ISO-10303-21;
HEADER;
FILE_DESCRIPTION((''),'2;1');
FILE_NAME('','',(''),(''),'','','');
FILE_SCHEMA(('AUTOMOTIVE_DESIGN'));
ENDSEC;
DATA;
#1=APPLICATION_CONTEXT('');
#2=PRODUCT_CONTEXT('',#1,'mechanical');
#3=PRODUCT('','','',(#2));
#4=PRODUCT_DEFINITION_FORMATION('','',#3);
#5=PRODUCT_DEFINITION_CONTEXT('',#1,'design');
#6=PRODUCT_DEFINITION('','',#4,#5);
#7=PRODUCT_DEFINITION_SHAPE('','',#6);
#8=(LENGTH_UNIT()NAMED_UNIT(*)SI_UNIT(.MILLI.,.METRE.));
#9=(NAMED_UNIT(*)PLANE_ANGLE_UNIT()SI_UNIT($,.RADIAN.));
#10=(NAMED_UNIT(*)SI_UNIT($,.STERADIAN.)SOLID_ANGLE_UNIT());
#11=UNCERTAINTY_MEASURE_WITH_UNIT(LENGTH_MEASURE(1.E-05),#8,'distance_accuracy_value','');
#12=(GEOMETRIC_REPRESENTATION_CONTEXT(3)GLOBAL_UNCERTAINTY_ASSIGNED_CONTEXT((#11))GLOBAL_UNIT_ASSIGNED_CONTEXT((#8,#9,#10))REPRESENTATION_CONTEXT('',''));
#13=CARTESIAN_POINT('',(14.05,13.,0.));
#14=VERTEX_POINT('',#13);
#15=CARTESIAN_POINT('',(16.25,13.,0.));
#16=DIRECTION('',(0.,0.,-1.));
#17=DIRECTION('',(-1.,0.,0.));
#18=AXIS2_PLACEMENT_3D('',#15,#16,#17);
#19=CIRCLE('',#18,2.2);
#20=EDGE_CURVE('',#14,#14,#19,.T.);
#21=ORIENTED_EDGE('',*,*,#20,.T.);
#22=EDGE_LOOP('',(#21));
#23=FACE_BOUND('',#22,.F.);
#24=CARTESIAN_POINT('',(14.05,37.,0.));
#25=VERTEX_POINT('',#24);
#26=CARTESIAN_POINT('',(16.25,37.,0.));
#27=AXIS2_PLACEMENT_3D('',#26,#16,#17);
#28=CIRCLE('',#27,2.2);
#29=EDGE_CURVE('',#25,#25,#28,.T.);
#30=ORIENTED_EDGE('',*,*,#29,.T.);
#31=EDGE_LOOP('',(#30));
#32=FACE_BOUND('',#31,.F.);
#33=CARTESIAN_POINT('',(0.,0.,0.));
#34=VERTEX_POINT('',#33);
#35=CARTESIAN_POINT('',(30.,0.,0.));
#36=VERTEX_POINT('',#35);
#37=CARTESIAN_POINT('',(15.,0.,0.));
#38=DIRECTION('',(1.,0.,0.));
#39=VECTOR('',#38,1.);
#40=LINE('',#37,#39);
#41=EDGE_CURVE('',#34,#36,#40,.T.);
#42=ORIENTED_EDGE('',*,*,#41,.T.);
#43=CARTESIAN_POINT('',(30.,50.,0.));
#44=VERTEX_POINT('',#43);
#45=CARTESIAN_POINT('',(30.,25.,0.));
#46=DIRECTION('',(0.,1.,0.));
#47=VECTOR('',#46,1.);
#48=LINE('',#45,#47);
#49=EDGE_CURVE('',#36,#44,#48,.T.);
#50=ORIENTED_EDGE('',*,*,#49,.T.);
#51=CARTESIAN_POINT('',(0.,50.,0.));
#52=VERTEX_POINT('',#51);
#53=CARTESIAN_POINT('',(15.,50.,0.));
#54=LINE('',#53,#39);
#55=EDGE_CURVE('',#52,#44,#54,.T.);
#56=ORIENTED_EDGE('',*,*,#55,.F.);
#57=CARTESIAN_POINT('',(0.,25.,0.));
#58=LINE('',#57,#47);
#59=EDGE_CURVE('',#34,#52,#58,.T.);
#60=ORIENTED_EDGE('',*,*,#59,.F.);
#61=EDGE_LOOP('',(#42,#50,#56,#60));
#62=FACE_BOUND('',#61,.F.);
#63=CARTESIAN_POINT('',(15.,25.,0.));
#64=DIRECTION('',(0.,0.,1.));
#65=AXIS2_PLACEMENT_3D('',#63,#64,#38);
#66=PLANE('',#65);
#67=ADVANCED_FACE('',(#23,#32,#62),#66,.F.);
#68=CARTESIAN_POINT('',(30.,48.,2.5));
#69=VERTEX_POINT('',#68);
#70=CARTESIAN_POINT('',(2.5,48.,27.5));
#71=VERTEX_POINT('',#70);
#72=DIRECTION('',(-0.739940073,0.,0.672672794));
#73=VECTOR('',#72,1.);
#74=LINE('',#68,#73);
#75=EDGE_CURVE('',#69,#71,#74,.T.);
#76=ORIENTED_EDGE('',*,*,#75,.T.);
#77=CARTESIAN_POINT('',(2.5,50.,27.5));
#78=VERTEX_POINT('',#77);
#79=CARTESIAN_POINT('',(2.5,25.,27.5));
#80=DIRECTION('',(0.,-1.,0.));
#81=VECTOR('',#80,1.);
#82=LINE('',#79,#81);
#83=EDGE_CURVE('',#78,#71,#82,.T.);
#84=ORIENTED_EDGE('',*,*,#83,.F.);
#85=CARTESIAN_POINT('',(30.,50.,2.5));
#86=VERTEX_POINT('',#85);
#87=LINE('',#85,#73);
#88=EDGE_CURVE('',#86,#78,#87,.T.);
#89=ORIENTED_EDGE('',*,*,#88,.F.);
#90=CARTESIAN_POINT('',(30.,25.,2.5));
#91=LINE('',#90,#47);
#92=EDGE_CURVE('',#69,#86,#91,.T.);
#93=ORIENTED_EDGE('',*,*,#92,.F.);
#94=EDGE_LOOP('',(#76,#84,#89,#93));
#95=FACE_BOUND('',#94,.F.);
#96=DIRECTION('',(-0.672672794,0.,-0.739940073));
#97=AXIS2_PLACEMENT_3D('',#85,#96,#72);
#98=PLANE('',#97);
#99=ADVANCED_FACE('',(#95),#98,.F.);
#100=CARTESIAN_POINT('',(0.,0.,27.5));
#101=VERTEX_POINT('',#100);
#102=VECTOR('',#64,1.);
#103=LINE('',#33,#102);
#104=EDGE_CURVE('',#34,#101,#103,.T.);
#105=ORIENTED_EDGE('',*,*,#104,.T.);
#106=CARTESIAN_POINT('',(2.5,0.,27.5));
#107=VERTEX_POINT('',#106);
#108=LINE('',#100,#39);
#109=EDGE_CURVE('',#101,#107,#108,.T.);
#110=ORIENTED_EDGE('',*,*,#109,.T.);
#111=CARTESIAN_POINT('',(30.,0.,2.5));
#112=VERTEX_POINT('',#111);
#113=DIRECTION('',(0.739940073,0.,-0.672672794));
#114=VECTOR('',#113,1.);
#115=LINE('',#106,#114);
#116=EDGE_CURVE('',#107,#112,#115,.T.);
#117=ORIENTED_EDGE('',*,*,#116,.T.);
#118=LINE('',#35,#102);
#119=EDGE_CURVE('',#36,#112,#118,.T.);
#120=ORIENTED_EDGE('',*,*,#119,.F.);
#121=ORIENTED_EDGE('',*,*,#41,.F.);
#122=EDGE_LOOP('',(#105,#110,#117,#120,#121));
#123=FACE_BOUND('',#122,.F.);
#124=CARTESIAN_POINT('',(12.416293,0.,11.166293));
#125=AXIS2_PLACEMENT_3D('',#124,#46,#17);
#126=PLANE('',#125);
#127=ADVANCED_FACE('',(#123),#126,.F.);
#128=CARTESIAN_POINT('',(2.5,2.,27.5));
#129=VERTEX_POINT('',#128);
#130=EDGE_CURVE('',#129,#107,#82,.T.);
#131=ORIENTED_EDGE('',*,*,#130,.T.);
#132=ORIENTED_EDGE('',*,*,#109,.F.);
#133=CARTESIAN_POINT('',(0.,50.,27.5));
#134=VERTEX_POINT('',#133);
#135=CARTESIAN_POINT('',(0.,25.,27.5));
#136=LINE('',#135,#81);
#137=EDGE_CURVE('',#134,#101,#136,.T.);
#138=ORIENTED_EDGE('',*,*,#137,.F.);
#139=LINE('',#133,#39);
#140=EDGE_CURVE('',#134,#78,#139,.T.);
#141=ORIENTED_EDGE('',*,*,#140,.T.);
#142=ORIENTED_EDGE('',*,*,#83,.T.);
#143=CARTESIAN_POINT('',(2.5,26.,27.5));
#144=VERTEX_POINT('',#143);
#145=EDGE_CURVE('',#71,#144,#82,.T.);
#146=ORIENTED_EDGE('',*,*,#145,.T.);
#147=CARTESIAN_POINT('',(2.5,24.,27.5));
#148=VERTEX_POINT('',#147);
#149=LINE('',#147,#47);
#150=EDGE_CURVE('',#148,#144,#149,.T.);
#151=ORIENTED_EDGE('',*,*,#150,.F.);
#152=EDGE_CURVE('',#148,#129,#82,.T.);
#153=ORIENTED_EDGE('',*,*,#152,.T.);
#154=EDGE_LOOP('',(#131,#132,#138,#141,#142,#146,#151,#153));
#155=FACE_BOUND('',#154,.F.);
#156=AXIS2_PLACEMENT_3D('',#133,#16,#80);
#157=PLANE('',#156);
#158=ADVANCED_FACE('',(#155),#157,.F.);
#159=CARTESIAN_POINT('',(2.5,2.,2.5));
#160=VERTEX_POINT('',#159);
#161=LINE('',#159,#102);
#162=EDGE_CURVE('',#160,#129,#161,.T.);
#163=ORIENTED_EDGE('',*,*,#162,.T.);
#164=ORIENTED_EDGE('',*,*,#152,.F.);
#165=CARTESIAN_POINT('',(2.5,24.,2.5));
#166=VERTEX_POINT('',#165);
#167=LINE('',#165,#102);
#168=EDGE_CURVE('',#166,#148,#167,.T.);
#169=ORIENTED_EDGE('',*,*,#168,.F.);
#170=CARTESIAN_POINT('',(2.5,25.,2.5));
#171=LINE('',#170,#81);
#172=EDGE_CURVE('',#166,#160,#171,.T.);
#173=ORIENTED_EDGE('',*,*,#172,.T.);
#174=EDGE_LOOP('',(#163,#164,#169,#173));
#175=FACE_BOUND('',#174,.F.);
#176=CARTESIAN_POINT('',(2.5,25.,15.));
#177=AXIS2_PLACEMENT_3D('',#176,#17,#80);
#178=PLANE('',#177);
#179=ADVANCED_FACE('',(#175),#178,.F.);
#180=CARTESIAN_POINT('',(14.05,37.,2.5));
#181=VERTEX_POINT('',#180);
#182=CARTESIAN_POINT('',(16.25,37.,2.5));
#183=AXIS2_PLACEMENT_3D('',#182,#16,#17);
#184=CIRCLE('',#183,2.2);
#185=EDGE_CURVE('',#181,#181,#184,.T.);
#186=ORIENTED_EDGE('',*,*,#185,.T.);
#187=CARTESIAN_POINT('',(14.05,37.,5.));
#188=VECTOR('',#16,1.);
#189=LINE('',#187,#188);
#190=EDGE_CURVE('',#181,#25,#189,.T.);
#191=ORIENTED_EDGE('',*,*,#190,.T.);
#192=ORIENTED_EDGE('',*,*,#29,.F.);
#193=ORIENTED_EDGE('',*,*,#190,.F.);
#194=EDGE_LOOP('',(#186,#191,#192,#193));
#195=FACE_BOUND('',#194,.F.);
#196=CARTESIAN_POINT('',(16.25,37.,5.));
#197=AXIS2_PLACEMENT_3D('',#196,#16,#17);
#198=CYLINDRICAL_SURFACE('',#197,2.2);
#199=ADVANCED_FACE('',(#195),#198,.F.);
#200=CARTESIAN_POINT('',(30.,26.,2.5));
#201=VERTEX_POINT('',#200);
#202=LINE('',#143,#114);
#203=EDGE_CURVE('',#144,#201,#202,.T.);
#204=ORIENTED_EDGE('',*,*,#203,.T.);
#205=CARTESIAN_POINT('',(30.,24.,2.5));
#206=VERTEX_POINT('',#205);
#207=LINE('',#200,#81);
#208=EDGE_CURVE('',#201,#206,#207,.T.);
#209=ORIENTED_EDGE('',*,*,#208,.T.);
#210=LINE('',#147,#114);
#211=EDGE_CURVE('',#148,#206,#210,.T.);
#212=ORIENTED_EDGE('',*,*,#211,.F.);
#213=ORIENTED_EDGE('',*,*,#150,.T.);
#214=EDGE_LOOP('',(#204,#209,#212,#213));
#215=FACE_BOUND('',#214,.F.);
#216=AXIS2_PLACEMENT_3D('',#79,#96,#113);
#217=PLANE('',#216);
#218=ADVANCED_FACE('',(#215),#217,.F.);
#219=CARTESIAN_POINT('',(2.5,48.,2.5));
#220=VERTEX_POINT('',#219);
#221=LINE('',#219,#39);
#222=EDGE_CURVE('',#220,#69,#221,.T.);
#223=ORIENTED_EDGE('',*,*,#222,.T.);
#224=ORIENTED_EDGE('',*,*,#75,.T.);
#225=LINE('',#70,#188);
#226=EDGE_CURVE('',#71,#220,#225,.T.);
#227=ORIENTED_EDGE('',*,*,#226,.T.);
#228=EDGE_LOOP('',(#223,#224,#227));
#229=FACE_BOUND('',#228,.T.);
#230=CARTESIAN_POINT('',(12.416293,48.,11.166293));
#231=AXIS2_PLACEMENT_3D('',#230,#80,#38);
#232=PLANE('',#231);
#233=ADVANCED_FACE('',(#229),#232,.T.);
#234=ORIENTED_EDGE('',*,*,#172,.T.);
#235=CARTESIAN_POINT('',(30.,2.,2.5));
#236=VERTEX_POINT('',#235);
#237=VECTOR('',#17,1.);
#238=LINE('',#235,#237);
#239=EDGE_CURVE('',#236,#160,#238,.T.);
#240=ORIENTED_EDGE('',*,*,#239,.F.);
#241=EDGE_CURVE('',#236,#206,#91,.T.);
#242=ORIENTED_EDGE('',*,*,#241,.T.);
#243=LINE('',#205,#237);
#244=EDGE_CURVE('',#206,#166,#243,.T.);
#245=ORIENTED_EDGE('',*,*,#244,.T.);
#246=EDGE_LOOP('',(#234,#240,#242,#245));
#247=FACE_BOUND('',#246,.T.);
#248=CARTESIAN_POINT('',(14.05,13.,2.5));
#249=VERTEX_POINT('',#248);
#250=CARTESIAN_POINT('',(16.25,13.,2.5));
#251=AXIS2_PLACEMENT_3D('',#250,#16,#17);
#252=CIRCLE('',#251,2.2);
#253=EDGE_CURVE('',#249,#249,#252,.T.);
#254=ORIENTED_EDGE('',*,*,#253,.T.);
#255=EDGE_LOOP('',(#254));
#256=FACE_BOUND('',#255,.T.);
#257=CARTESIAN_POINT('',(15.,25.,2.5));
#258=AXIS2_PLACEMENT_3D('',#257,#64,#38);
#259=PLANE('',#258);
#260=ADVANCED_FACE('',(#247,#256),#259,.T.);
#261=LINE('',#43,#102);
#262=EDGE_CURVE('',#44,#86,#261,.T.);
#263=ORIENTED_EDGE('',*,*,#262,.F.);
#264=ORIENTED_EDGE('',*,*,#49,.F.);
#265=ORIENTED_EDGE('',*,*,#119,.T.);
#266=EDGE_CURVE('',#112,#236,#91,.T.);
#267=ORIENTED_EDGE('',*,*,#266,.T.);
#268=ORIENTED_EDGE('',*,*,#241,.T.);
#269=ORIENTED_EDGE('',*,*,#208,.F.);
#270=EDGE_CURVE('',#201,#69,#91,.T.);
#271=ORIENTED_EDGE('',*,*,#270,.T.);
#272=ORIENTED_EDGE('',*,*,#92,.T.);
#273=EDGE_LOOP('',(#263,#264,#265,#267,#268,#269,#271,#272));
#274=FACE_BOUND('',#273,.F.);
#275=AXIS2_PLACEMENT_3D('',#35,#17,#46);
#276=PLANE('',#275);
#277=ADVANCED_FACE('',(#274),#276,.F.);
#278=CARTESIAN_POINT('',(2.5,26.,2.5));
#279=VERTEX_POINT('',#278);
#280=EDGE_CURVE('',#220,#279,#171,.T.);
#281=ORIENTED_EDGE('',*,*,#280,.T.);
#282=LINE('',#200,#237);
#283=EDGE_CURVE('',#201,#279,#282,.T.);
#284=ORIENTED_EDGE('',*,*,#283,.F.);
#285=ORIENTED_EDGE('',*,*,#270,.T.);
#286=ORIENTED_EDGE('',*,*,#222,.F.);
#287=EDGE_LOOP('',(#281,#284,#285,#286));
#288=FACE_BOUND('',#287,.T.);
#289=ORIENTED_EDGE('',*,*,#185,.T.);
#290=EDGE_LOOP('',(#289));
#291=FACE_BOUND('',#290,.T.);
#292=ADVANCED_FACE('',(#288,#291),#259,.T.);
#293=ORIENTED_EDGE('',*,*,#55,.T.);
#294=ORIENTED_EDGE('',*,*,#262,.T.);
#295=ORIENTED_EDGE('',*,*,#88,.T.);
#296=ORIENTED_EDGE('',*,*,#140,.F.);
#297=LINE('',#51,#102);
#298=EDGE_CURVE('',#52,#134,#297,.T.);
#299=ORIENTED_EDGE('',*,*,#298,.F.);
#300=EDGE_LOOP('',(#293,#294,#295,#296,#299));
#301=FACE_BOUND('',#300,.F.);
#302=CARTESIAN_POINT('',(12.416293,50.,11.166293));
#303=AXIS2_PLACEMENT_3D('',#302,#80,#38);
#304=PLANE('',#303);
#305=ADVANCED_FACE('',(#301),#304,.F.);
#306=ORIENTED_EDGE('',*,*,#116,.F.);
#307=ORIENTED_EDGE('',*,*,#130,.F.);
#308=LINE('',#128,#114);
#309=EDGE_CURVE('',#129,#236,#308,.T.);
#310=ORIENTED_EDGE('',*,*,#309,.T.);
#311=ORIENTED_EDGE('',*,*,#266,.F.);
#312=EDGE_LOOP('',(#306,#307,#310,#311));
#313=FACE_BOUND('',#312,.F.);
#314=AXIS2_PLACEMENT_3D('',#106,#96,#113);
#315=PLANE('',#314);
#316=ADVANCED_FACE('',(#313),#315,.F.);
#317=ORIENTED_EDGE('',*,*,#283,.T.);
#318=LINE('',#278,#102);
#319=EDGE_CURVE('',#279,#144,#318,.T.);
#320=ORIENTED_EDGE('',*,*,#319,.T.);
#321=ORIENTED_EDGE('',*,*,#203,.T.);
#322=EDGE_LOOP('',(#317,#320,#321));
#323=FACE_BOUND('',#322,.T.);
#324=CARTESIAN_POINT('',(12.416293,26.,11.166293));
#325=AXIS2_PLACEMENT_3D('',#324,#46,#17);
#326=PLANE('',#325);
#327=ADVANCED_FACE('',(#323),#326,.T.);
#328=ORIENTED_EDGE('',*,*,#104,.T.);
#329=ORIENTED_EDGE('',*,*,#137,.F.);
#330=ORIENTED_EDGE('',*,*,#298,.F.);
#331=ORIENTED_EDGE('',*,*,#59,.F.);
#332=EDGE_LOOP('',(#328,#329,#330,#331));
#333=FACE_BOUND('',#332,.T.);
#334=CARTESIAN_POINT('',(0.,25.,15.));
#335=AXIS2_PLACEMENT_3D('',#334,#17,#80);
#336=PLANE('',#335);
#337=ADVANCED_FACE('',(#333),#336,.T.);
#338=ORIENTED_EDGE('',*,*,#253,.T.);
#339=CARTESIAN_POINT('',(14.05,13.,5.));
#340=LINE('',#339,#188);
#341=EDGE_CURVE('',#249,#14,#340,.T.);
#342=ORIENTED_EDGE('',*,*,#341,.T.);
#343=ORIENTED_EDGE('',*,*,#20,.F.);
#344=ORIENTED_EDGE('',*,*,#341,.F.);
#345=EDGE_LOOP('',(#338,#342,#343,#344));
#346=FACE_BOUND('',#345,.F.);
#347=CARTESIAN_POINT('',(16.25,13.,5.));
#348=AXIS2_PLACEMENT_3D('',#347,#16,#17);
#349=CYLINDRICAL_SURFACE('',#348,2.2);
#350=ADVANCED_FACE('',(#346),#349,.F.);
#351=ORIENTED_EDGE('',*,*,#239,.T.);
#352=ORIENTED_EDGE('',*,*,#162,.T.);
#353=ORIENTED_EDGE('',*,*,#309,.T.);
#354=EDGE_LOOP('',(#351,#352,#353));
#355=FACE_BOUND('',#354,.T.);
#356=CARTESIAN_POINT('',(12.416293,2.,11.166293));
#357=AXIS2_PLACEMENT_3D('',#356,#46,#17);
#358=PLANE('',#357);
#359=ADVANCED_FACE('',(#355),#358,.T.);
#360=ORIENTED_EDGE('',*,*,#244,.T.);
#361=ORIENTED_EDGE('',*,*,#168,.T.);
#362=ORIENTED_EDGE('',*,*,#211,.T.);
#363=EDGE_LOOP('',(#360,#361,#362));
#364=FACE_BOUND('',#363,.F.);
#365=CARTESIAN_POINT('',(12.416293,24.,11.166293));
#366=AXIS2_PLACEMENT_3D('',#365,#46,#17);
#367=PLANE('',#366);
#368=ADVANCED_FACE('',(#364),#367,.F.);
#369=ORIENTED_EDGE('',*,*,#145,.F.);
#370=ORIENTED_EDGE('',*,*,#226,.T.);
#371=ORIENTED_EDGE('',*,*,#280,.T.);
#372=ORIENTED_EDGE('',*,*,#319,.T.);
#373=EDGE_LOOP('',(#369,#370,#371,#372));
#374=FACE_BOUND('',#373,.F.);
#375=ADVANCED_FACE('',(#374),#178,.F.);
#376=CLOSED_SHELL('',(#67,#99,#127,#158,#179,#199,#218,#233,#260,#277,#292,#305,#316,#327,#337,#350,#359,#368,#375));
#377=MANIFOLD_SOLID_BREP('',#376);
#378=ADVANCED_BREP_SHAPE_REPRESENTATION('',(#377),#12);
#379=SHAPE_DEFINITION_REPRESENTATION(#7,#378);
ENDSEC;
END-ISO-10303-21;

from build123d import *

# Parameters (mm, degrees)
SKETCH_W         = 30
SKETCH_H         = 50
PAD_DEPTH        = 2.5
SKETCH001_W      = 50
SKETCH001_H      = 25
PAD001_DEPTH     = 2.5
PAD002_DEPTH     = 2
PAD003_DEPTH     = 1
PAD004_DEPTH     = 2
HOLE_D           = 4.4
HOLE_DEPTH       = 25
HOLE_CSINK_D     = 8
HOLE_CSINK_ANGLE = 90


with BuildPart() as part:
    # Sketch → Pad (new body)
    with BuildSketch(Plane.XY):
        with Locations((15, 25)):
            Rectangle(SKETCH_W, SKETCH_H)
    extrude(amount=PAD_DEPTH)

    # Sketch001 → Pad001 (join)
    with BuildSketch(Plane(origin=(0, 0, 0), x_dir=(0, -1, 0), z_dir=(-1, 0, 0))):
        with Locations((-25, 15)):
            Rectangle(SKETCH001_W, SKETCH001_H)
    extrude(amount=-PAD001_DEPTH)

    # Sketch002 → Pad002 (join)
    with BuildSketch(Plane.XZ):
        Polygon((2.5, 2.5), (2.5, 27.5), (30, 2.5), align=None)
    extrude(amount=-PAD002_DEPTH)

    # Sketch003 → Pad003 (join, symmetric)
    with BuildSketch(Plane.XZ.offset(-25)):
        Polygon((2.5, 2.5), (2.5, 27.5), (30, 2.5), align=None)
    extrude(amount=PAD003_DEPTH, both=True)

    # Sketch004 → Pad004 (join)
    with BuildSketch(Plane.XZ.offset(-50)):
        Polygon((2.5, 27.5), (2.5, 2.5), (30, 2.5), align=None)
    extrude(amount=PAD004_DEPTH)

    # Hole
    with Locations(Plane.XY.offset(5)):
        with Locations((16.25, 37), (16.25, 13)):
            CounterSinkHole(HOLE_D / 2, HOLE_CSINK_D / 2, depth=HOLE_DEPTH, counter_sink_angle=HOLE_CSINK_ANGLE)


solid = part.part
